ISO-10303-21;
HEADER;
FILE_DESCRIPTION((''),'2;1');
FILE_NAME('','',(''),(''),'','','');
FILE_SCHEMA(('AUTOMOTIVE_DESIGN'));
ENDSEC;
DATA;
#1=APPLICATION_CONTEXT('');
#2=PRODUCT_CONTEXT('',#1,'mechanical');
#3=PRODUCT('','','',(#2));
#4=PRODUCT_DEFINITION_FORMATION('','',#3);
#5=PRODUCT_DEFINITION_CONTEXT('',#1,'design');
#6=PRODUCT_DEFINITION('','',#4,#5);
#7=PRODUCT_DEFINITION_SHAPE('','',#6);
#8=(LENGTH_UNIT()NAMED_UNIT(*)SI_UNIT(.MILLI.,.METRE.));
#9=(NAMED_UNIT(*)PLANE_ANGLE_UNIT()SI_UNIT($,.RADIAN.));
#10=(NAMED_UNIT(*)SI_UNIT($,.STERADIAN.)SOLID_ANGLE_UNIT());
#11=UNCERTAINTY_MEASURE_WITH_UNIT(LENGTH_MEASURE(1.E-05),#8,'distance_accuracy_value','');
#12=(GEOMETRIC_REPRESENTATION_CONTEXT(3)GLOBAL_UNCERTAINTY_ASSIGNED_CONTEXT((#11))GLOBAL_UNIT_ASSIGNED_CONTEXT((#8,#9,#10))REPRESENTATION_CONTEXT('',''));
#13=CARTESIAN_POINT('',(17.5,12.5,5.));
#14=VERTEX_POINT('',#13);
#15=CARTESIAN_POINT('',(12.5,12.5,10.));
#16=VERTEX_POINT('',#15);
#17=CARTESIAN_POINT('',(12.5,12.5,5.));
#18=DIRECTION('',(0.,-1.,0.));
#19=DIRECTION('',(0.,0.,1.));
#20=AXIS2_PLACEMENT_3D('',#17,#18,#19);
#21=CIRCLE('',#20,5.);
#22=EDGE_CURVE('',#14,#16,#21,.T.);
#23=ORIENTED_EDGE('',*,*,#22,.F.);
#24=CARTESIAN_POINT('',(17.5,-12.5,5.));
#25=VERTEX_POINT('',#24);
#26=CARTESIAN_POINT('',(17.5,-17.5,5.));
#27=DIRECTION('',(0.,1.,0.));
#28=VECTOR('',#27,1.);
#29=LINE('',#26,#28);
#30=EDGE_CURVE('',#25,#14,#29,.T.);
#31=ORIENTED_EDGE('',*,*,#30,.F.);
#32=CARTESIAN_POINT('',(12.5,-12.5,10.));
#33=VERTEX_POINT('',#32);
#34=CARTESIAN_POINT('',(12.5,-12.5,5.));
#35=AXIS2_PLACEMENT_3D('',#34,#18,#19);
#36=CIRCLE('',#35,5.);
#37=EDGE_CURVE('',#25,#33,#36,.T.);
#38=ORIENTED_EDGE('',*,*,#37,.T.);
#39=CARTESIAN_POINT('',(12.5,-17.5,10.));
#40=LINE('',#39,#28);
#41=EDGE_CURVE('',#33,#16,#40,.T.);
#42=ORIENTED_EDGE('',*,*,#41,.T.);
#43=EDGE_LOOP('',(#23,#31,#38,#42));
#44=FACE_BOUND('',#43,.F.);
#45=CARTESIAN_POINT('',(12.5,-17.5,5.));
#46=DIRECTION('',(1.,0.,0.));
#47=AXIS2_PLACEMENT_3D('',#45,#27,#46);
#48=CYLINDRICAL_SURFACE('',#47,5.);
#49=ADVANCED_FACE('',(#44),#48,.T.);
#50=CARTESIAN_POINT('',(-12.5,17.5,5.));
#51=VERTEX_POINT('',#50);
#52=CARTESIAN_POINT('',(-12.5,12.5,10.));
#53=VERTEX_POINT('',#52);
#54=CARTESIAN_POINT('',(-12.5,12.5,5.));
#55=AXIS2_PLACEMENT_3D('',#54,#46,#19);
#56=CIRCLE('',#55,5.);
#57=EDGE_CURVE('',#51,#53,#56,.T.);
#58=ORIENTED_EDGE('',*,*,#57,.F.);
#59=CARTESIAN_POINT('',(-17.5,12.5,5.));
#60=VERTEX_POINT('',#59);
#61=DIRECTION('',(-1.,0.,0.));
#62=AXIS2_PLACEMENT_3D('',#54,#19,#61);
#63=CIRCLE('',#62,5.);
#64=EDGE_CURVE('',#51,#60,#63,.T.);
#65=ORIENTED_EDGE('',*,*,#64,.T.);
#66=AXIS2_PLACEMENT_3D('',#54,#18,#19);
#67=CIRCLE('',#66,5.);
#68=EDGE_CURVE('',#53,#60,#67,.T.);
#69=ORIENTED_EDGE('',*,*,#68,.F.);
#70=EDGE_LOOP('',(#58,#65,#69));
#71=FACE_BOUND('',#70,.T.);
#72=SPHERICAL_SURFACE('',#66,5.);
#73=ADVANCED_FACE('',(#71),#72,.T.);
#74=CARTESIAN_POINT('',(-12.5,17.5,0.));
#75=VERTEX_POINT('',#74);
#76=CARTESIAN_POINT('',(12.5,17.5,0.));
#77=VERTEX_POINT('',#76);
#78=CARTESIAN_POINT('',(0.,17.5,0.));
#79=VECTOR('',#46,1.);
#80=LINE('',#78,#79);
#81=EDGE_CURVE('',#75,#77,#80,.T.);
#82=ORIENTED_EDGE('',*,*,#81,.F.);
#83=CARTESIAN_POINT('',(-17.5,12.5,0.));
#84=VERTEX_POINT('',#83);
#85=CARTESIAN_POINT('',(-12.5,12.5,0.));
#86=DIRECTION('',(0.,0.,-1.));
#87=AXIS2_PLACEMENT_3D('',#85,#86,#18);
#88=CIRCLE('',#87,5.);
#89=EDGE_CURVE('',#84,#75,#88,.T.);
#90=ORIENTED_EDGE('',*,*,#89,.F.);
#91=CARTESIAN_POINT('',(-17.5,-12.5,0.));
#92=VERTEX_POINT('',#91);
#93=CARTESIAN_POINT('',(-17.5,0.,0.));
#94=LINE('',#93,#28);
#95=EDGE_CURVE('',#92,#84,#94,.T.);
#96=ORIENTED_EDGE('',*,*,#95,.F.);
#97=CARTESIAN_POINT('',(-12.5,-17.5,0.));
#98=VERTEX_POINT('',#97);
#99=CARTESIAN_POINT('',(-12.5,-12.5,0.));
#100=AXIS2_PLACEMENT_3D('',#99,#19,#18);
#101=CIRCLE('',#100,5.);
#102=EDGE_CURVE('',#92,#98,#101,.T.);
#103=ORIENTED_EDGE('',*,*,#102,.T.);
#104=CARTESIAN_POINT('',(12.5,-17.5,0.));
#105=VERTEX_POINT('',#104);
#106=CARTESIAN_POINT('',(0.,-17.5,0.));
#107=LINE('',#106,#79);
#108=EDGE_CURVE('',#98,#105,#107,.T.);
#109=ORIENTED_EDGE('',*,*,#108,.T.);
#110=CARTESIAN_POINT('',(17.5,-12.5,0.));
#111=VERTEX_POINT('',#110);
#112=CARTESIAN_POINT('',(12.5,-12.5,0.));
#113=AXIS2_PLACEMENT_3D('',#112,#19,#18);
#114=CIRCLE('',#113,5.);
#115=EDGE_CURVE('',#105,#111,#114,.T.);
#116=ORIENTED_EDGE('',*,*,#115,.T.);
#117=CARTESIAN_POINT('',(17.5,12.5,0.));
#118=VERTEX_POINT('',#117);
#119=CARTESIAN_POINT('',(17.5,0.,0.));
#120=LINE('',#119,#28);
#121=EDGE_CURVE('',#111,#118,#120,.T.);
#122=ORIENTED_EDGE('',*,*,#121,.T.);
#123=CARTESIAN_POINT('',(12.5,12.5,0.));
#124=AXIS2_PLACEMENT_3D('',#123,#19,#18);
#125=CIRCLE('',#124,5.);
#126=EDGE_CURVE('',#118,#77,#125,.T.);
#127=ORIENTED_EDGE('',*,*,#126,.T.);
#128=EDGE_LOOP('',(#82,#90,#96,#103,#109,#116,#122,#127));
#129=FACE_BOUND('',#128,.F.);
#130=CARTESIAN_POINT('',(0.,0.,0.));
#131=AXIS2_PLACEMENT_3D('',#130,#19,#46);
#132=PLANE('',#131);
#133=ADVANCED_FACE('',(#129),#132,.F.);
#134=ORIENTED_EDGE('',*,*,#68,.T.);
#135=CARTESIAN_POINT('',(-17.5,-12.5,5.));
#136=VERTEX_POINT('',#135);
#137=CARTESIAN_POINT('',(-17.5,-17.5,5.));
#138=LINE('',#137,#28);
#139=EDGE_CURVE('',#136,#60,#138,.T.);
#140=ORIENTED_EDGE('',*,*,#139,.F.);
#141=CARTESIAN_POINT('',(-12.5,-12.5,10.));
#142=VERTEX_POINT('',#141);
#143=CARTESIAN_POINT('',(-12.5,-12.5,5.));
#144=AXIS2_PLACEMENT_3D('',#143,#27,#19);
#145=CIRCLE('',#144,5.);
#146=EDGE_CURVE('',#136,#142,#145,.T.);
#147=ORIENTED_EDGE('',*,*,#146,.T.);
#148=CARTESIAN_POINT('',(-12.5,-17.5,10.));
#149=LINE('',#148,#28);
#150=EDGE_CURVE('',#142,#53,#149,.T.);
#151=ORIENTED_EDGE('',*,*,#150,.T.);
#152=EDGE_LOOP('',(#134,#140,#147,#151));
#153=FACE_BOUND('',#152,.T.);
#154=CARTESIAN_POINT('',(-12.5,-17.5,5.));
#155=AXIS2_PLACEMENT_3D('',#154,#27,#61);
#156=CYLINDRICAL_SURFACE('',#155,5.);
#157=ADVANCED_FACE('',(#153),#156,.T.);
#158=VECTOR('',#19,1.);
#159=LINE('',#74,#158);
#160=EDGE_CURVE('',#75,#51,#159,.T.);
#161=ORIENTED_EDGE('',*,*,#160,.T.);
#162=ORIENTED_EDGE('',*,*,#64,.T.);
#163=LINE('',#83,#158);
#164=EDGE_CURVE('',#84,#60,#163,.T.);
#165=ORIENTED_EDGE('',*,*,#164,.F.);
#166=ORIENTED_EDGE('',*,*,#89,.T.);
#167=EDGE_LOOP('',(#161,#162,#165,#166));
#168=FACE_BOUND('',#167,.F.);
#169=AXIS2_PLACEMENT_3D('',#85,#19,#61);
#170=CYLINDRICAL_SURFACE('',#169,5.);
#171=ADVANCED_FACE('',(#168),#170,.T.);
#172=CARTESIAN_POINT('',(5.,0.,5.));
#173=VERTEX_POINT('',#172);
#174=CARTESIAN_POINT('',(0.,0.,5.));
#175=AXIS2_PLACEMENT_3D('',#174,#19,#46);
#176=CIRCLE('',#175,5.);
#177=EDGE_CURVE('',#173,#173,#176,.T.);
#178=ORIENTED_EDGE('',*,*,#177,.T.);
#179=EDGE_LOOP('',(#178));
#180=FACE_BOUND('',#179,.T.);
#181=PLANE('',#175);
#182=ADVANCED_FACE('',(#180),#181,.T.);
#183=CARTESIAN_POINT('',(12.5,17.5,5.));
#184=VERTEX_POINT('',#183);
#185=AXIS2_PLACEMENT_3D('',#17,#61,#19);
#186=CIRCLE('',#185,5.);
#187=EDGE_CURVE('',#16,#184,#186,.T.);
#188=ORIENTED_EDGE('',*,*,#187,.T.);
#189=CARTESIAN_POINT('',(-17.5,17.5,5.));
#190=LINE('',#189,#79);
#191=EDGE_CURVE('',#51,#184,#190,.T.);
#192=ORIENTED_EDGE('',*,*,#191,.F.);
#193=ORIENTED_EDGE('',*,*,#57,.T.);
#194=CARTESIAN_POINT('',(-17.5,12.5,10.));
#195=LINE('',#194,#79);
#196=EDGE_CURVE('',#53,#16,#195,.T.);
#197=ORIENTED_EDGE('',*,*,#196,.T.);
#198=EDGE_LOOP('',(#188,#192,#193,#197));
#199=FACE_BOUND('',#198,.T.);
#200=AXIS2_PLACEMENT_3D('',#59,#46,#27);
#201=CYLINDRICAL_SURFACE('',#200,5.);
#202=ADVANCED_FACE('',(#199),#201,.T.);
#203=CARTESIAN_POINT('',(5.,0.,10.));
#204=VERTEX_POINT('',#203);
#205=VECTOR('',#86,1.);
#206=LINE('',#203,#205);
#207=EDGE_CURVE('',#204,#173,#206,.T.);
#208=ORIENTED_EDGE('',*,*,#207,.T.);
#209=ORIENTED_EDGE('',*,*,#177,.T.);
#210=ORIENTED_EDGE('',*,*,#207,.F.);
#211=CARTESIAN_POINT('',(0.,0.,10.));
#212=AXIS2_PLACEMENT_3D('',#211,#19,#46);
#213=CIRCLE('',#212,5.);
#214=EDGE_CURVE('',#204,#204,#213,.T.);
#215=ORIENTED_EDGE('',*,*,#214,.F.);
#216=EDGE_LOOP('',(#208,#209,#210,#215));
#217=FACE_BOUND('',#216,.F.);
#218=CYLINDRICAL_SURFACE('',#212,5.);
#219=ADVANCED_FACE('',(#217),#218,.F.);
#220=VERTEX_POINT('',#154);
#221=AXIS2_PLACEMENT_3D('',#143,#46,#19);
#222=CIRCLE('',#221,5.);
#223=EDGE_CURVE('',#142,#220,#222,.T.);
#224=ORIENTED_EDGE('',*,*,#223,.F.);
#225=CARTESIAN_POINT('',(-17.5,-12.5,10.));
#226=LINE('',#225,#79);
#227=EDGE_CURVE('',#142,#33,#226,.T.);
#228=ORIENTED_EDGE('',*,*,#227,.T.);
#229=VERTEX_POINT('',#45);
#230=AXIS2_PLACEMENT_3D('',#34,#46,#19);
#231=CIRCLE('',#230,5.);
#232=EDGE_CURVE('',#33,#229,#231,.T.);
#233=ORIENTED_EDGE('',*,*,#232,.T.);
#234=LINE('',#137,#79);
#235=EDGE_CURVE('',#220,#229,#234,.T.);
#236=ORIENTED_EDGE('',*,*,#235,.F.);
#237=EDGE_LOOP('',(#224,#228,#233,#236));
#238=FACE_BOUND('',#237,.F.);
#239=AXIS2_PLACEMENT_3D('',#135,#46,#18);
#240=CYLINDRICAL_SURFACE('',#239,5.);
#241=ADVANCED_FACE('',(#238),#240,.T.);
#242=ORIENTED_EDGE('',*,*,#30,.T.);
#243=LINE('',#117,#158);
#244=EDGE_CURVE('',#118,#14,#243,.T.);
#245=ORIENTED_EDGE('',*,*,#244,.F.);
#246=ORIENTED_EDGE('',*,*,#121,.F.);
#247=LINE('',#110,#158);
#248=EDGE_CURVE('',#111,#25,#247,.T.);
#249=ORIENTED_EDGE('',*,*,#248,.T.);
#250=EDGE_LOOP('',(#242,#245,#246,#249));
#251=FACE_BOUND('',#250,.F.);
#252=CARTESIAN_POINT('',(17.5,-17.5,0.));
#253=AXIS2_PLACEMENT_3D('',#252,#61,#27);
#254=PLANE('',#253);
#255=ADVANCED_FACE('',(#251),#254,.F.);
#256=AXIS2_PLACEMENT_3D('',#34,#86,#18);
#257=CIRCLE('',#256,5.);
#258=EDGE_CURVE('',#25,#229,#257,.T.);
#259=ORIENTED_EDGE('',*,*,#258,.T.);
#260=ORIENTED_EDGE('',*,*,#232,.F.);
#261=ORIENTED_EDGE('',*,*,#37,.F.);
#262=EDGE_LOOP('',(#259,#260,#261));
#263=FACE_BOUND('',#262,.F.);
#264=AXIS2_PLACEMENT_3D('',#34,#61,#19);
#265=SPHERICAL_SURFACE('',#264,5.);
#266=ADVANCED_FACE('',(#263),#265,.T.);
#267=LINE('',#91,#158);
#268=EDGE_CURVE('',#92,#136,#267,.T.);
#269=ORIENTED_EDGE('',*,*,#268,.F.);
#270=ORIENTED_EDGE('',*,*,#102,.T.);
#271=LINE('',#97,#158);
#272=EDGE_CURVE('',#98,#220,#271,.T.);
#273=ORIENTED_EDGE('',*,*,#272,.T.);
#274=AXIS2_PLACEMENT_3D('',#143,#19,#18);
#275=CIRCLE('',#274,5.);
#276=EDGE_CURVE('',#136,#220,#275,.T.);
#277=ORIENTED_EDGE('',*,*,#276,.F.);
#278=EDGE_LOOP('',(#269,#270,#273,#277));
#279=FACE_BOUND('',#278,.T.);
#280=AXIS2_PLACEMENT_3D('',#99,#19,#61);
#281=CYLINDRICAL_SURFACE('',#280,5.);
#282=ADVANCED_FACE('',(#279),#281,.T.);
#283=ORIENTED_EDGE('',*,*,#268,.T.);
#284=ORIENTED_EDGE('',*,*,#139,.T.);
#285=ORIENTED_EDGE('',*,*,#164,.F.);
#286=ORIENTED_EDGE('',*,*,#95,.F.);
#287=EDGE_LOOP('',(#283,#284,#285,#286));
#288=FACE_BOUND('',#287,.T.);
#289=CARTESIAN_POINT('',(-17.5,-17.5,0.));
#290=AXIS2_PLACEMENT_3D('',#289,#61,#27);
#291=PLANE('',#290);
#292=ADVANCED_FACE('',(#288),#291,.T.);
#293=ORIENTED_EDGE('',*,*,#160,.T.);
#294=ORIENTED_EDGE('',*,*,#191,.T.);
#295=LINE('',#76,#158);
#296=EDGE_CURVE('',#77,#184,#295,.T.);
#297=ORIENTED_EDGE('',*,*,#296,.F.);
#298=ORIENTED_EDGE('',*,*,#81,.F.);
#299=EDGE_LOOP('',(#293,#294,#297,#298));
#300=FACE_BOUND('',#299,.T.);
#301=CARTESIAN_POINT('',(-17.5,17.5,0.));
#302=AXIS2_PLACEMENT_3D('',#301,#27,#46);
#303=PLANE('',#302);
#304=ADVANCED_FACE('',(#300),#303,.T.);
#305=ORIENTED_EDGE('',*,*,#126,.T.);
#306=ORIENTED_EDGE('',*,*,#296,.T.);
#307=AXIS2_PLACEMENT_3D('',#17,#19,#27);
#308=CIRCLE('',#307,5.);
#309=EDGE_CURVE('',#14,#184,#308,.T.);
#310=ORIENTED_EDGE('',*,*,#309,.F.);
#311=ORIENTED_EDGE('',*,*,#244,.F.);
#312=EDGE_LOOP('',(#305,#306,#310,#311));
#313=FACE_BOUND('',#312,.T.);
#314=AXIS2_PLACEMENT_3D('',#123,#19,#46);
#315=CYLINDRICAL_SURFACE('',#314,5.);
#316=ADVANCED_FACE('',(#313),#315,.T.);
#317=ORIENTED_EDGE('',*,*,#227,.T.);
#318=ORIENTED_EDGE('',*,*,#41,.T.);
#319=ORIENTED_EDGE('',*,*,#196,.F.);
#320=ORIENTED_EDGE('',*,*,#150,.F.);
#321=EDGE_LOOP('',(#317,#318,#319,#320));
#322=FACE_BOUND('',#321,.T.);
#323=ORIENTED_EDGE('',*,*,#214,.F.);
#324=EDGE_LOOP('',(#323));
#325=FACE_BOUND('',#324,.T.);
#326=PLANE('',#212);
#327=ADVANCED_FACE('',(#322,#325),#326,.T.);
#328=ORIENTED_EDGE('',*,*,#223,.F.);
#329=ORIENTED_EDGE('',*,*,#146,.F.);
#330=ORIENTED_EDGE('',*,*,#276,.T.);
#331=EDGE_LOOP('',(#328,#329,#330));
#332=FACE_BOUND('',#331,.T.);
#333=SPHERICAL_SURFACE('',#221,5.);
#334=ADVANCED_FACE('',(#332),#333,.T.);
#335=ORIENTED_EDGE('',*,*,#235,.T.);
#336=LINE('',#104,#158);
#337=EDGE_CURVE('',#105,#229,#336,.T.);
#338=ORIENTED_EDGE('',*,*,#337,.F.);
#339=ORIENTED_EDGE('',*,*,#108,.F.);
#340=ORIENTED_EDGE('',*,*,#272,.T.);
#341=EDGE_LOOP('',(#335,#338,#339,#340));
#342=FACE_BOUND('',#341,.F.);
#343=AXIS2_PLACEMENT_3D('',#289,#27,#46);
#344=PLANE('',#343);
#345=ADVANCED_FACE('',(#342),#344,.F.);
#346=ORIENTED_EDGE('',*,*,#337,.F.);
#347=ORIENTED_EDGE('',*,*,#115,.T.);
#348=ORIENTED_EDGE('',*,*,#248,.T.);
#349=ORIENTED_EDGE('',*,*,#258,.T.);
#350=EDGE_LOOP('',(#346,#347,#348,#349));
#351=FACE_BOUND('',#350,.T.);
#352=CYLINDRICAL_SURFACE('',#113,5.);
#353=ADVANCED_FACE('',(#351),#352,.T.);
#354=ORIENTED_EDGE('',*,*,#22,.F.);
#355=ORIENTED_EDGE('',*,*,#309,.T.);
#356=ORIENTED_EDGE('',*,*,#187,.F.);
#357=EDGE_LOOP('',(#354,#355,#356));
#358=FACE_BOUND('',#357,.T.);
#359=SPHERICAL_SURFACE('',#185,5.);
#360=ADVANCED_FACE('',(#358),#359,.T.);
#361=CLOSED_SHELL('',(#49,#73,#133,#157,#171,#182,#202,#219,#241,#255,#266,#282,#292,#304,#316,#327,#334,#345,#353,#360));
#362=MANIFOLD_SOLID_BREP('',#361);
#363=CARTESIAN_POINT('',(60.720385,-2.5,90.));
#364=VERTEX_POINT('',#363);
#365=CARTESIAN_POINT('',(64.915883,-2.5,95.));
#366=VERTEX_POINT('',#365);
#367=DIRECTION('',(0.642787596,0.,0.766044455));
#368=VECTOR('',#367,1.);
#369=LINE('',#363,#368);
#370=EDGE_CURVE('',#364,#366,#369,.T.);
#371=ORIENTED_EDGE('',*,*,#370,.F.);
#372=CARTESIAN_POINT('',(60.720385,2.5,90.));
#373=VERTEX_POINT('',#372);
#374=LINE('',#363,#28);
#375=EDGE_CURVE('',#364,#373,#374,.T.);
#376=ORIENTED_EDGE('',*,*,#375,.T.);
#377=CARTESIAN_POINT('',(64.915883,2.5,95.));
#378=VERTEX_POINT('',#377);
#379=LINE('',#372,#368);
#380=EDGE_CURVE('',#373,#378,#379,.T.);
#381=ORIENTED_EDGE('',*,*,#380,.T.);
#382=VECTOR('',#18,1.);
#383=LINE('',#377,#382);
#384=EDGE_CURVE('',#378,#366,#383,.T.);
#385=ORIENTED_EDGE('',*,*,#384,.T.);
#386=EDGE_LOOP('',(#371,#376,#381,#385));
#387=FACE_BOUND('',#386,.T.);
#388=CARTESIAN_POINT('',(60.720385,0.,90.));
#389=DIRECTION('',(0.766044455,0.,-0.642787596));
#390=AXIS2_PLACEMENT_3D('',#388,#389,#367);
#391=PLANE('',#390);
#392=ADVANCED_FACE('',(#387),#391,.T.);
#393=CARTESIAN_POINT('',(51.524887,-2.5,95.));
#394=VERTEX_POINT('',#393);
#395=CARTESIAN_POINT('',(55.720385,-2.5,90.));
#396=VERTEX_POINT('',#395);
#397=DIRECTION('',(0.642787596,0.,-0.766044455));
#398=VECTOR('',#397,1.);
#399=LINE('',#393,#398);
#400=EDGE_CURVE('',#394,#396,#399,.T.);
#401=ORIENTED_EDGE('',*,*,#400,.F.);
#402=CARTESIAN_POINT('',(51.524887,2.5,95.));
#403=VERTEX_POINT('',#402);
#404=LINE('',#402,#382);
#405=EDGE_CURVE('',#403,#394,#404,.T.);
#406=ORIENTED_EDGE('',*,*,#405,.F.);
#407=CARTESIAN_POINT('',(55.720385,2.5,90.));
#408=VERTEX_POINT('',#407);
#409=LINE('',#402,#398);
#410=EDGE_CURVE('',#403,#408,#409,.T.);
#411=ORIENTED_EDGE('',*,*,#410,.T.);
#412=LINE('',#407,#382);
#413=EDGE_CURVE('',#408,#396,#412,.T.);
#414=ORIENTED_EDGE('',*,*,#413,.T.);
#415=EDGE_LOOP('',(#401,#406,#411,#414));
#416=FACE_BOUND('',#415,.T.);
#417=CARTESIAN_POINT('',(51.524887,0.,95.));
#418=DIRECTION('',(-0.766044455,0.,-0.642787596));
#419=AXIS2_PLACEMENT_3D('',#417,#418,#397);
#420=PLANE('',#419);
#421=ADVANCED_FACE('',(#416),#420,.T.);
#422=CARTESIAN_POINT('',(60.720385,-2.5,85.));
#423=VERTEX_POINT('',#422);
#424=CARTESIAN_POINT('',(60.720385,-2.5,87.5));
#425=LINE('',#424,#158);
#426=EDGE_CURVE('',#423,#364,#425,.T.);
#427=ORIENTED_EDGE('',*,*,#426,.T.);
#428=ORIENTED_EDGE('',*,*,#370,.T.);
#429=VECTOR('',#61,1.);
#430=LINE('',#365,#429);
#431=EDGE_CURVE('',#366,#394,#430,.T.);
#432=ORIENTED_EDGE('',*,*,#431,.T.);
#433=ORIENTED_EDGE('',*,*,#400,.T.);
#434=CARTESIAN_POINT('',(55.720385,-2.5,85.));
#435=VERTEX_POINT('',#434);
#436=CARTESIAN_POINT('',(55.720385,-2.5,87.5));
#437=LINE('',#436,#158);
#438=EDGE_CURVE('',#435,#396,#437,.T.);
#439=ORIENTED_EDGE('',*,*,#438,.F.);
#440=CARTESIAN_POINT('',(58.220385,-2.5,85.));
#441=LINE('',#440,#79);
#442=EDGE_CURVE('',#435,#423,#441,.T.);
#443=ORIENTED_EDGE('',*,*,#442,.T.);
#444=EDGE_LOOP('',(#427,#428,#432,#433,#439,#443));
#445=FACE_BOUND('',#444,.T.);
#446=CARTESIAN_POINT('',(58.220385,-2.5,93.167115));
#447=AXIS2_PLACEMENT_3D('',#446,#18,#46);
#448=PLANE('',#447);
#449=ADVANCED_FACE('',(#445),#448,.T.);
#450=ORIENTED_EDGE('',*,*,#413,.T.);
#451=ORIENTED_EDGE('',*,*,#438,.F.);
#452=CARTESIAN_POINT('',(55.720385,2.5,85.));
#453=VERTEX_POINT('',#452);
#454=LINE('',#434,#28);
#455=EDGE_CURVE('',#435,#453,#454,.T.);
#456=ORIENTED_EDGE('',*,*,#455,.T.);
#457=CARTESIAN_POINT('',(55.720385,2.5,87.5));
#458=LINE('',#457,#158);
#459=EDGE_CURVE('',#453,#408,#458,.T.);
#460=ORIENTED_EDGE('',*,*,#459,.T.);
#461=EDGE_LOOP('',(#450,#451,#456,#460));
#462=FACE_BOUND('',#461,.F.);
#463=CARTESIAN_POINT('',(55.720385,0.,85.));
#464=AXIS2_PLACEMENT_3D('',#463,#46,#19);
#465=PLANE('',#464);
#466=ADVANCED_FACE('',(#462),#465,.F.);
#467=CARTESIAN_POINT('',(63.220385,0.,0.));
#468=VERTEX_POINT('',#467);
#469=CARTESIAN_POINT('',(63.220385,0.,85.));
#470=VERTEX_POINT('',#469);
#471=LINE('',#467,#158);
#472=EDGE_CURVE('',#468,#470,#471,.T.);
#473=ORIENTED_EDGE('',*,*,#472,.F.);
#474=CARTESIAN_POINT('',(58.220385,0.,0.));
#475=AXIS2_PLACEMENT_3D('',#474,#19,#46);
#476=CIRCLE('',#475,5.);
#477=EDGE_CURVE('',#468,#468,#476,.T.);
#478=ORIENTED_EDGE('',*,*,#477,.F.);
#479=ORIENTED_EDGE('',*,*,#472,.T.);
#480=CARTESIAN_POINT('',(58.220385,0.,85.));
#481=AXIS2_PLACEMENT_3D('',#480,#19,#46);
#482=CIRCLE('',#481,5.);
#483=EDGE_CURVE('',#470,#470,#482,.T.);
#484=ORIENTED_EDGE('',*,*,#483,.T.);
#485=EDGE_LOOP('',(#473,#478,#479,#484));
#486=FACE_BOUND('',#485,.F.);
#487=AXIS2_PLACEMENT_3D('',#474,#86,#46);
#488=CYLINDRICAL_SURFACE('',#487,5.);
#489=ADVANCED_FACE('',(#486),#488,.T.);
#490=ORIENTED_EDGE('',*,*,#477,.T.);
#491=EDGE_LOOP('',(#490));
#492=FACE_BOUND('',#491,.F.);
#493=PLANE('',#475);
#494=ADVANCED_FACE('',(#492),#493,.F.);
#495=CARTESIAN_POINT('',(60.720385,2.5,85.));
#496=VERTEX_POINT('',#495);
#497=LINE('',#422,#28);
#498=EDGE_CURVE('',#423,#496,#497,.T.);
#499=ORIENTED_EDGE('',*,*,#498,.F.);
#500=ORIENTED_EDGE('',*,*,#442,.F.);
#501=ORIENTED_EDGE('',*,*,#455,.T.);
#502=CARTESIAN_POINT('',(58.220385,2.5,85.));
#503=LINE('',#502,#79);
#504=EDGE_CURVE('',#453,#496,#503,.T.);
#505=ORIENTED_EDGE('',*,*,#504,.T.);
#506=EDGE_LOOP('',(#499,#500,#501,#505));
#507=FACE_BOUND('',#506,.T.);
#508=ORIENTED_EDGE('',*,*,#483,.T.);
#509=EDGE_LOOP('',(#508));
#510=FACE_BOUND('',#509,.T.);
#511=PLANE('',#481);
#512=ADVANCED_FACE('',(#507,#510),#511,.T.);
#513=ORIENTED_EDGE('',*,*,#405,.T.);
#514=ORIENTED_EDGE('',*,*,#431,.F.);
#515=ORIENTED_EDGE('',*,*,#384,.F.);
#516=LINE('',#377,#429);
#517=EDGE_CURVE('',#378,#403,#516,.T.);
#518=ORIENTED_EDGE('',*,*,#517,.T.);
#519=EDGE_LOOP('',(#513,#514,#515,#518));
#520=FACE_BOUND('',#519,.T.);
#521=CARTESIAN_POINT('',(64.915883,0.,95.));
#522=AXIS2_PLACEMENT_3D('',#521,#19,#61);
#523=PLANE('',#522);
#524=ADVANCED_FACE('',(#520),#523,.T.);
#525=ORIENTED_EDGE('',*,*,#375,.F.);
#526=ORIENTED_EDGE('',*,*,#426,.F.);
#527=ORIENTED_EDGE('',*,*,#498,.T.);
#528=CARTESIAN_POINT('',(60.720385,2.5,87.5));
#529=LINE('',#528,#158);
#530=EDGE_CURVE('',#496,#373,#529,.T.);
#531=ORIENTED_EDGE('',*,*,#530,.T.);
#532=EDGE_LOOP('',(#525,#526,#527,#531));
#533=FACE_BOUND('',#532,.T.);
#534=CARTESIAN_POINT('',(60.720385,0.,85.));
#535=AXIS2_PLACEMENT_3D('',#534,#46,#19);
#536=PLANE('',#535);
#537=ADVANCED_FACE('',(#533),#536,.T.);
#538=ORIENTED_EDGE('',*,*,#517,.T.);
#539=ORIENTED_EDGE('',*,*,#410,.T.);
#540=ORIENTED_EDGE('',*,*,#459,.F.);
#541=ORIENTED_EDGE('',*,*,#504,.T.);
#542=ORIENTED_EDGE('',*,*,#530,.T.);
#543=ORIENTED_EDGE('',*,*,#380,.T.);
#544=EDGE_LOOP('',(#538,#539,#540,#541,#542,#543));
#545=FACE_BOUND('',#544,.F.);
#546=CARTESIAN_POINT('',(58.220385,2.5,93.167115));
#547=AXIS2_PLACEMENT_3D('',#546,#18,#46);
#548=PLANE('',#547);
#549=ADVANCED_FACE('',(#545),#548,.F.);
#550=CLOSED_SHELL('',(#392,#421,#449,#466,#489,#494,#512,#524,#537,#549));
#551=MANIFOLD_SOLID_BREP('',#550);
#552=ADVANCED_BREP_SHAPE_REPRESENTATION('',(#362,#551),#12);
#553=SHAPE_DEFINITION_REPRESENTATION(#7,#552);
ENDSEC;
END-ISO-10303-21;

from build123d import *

# Parameters (mm, degrees)
F0_W     = 35
F0_H     = 35
F1_DEPTH = 10
F2_R     = 5
F3_R     = 5
F4_DEPTH = 5
F5_R     = 5
F6_DEPTH = 85
F7_W     = 5
F7_H     = 5
F8_DEPTH = 2.5


with BuildPart() as f1:
    # F0 (on Top) → F1 (new body)
    with BuildSketch(Plane.XY):
        Rectangle(F0_W, F0_H)
    extrude(amount=F1_DEPTH)

    # F2
    f2_edges = [f1.edges().sort_by_distance(p)[0] for p in [
        (0, -17.5, 10),
        (-17.5, 0, 10),
        (0, 17.5, 10),
        (17.5, 0, 10),
        (-17.5, -17.5, 5),
        (17.5, -17.5, 5),
        (17.5, 17.5, 5),
        (-17.5, 17.5, 5),
    ]]
    fillet(f2_edges, radius=F2_R)

    # F3 (on face) → F4 (cut)
    with BuildSketch(Plane.XY.offset(10)):
        Circle(F3_R)
    extrude(amount=-F4_DEPTH, mode=Mode.SUBTRACT)


with BuildPart() as f6:
    # F5 (on Top) → F6 (new body)
    with BuildSketch(Plane.XY):
        with Locations((58.220385, 0)):
            Circle(F5_R)
    extrude(amount=F6_DEPTH)

    # F7 (on Front) → F8 (join, symmetric)
    with BuildSketch(Plane.XZ):
        Polygon((55.720385, 90), (60.720385, 90), (64.915883, 95), (51.524887, 95), align=None)
        with Locations((58.220385, 87.5)):
            Rectangle(F7_W, F7_H)
    extrude(amount=F8_DEPTH, both=True)


solid = Compound([f1.part, f6.part])
